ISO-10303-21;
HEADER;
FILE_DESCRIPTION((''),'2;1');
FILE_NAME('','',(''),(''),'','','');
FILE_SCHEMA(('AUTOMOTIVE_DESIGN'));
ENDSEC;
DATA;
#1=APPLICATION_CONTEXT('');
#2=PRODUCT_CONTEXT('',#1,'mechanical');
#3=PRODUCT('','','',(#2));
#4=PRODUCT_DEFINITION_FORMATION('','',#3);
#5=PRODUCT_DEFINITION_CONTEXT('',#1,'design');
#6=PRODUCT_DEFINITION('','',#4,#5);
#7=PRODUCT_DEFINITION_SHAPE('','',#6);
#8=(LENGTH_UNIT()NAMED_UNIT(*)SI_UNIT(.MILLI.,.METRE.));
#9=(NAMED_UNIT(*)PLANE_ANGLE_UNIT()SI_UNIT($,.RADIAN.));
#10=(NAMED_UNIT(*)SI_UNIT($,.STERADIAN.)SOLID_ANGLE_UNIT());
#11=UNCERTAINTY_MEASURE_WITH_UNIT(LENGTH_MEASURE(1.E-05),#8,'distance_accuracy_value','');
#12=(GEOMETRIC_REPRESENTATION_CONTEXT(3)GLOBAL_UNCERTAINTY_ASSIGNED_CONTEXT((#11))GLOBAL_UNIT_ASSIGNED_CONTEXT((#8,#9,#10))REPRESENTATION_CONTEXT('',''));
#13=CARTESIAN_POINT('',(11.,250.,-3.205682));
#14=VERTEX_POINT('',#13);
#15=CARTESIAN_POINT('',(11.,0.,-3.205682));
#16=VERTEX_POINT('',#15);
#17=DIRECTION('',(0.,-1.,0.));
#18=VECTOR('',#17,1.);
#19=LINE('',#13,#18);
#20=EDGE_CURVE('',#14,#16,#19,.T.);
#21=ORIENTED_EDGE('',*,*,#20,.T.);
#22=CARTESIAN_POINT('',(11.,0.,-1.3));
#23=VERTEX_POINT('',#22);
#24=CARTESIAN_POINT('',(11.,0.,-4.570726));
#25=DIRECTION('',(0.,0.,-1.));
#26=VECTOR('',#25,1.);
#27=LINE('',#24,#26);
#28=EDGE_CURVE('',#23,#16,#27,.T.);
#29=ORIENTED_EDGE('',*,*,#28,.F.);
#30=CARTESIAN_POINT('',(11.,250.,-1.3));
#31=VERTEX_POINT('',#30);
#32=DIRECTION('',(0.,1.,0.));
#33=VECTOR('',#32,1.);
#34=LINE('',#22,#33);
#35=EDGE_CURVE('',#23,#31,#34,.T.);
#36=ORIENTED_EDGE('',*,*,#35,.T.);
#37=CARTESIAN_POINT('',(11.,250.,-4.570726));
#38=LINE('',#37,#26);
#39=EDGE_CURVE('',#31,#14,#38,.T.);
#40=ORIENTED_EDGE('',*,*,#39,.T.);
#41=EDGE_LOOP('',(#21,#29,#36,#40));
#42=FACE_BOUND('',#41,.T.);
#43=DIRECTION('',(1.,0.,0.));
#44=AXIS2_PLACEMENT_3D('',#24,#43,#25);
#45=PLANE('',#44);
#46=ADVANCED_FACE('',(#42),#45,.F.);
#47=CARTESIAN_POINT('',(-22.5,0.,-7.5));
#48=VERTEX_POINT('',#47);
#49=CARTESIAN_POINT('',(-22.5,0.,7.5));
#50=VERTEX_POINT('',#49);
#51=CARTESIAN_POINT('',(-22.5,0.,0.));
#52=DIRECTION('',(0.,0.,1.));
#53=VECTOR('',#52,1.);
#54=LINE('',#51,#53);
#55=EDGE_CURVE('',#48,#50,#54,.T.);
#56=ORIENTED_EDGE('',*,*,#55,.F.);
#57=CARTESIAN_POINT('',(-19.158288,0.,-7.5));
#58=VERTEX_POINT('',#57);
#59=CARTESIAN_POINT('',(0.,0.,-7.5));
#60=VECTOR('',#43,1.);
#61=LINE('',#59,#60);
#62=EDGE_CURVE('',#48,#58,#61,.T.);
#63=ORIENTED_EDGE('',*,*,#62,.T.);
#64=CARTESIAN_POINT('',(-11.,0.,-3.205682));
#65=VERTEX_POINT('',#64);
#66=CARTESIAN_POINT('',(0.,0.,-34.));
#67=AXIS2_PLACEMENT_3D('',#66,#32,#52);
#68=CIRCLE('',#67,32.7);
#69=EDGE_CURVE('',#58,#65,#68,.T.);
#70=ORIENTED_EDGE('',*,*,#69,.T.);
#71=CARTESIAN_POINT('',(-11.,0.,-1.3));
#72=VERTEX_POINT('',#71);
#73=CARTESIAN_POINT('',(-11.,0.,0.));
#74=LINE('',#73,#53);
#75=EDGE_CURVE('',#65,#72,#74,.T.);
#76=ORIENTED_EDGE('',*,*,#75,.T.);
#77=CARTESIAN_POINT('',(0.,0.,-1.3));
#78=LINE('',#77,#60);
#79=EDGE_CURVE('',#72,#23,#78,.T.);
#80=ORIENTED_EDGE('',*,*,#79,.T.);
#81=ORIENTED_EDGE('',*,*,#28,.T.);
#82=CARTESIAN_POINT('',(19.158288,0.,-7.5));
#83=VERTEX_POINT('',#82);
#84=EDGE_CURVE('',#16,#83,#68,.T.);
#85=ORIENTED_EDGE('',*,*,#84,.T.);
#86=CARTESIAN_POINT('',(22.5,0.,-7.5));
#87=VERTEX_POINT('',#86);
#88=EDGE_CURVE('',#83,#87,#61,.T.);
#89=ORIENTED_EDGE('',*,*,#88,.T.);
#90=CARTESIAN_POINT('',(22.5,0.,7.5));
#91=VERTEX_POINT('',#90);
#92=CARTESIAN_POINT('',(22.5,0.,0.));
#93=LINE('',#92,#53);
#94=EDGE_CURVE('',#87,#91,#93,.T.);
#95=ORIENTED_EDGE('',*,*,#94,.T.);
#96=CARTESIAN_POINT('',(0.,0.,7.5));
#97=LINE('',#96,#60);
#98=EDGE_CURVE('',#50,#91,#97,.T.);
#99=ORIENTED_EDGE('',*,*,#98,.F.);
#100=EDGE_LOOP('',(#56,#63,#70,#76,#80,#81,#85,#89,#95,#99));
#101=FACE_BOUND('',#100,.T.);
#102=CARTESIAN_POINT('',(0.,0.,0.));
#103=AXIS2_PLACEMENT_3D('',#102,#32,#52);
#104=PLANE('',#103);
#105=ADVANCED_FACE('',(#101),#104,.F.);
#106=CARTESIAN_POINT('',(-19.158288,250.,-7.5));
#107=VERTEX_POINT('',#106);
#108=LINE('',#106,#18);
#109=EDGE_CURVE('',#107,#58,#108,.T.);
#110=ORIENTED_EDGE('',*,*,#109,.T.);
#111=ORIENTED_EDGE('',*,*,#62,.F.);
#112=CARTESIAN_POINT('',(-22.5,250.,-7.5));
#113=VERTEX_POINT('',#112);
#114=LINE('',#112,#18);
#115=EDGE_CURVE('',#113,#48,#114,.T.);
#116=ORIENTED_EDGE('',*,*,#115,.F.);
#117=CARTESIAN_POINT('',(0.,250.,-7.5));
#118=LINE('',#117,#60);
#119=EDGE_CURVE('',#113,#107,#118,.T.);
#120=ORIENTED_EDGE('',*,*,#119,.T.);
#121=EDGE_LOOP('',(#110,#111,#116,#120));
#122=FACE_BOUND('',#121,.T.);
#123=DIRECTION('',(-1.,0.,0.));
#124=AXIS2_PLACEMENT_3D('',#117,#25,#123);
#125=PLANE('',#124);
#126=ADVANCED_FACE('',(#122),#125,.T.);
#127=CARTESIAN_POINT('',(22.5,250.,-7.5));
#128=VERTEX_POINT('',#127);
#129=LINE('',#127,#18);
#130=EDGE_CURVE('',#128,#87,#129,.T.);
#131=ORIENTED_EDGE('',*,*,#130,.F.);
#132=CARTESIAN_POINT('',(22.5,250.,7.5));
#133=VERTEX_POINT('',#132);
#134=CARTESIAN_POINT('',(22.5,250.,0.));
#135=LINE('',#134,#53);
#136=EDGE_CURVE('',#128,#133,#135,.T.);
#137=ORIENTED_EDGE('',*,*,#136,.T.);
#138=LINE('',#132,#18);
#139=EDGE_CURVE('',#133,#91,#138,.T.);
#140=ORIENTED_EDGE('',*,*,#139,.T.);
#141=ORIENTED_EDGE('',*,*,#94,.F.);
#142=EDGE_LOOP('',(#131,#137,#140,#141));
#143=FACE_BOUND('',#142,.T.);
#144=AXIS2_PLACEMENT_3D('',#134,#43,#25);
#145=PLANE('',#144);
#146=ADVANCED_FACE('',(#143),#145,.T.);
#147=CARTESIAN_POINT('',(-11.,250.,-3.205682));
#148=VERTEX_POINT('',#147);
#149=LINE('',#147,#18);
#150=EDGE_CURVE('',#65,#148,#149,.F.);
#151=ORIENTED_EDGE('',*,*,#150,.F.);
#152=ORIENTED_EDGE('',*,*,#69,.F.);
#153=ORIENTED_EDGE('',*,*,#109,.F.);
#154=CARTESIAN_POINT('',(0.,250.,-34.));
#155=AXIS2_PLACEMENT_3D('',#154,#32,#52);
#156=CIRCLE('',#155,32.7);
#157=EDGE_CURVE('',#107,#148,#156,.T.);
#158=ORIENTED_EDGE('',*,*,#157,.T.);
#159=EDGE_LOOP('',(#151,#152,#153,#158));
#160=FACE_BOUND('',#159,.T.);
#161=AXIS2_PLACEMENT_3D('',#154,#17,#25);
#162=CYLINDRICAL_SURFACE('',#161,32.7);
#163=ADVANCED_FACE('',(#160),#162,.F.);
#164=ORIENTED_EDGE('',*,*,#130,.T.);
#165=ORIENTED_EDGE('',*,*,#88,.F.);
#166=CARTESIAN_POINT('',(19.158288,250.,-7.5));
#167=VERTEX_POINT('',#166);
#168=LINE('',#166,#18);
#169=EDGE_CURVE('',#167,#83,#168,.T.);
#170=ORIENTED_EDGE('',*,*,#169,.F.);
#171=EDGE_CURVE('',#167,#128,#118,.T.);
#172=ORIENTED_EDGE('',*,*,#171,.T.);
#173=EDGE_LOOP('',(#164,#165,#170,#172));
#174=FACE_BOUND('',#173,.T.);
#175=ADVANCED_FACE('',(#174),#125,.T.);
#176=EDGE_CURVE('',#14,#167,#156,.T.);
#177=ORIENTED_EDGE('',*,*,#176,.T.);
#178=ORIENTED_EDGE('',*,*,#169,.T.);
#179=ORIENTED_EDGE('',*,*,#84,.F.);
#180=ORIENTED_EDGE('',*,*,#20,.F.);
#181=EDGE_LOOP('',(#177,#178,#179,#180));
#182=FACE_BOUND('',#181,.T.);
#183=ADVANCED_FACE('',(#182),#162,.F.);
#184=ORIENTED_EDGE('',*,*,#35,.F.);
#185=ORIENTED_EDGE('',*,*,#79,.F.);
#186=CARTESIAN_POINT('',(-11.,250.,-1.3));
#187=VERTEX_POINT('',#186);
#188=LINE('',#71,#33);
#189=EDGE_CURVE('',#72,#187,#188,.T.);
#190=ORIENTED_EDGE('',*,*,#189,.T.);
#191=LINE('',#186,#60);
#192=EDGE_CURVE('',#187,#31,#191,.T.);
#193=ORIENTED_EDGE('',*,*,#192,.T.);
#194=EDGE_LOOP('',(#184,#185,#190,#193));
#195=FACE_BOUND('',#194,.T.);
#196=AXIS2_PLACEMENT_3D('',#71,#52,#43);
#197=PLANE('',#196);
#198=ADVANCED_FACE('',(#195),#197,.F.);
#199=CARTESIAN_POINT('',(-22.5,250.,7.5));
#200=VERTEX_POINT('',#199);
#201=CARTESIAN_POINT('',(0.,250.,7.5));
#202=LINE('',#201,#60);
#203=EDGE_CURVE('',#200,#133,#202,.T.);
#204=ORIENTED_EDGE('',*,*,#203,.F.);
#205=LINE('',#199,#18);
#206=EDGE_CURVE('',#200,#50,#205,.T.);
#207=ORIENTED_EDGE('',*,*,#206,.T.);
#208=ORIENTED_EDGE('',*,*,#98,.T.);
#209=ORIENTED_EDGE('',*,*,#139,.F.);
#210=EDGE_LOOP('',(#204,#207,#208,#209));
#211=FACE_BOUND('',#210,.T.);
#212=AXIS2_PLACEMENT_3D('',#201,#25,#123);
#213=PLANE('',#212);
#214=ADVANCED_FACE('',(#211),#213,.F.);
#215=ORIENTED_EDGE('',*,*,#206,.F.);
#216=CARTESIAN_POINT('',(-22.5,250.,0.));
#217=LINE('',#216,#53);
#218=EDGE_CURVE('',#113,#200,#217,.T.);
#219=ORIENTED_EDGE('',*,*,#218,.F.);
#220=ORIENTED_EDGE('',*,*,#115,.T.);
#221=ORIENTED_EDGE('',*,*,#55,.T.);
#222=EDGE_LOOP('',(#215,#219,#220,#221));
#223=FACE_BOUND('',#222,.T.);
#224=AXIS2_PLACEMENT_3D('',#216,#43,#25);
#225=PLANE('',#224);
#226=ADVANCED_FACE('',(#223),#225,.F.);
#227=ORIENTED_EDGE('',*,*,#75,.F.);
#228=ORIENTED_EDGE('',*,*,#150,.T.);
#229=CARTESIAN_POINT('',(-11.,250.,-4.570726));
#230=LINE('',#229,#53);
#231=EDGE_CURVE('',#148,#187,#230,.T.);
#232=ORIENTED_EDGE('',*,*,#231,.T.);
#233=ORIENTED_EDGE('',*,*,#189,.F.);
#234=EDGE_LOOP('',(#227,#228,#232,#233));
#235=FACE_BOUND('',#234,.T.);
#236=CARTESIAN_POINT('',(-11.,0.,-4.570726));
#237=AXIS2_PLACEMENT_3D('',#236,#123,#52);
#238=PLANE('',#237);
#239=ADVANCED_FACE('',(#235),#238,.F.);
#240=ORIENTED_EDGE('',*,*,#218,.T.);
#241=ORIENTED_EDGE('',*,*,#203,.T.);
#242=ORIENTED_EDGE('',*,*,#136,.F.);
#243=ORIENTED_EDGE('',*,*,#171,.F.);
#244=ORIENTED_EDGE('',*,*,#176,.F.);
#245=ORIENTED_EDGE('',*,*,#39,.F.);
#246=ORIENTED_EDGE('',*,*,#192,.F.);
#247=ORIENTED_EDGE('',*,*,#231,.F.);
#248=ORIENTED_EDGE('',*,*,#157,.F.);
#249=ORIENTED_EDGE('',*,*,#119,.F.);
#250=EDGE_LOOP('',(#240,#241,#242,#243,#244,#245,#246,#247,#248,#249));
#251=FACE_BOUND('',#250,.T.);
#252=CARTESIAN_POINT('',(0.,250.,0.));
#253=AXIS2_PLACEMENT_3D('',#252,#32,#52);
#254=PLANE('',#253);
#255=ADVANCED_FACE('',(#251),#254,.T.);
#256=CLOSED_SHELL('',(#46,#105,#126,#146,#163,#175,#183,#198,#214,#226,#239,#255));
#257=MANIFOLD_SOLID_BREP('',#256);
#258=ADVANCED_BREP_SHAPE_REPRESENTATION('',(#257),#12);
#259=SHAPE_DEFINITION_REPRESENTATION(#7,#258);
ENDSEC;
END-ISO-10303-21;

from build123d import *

# Parameters (mm, degrees)
RUNDUNG_DEPTH        = 250
SKIZZE2_W            = 22
SKIZZE2_H            = 3.270726357
AUSSPARUNGLAUF_DEPTH = 252.122480077


with BuildPart() as part:
    # Skizze1 → Rundung (new body)
    with BuildSketch(Plane(origin=(0, 0, 0), x_dir=(1, 0, 0), z_dir=(0, 1, 0))):
        with BuildLine():
            Line((-19.158288024, 7.5), (-22.5, 7.5))
            Line((-22.5, 7.5), (-22.5, -7.5))
            Line((-22.5, -7.5), (22.5, -7.5))
            Line((22.5, -7.5), (22.5, 7.5))
            Line((22.5, 7.5), (19.158288024, 7.5))
            ThreePointArc((19.158288024, 7.5), (0, 1.3), (-19.158288024, 7.5))
        make_face()
    extrude(amount=RUNDUNG_DEPTH)

    # Skizze2 → AussparungLauf (cut, through all)
    with BuildSketch(Plane(origin=(0, 250, 0), x_dir=(1, 0, 0), z_dir=(0, 1, 0))):
        with Locations((0, 2.935363178)):
            Rectangle(SKIZZE2_W, SKIZZE2_H)
    extrude(amount=-AUSSPARUNGLAUF_DEPTH, mode=Mode.SUBTRACT)


solid = part.part
